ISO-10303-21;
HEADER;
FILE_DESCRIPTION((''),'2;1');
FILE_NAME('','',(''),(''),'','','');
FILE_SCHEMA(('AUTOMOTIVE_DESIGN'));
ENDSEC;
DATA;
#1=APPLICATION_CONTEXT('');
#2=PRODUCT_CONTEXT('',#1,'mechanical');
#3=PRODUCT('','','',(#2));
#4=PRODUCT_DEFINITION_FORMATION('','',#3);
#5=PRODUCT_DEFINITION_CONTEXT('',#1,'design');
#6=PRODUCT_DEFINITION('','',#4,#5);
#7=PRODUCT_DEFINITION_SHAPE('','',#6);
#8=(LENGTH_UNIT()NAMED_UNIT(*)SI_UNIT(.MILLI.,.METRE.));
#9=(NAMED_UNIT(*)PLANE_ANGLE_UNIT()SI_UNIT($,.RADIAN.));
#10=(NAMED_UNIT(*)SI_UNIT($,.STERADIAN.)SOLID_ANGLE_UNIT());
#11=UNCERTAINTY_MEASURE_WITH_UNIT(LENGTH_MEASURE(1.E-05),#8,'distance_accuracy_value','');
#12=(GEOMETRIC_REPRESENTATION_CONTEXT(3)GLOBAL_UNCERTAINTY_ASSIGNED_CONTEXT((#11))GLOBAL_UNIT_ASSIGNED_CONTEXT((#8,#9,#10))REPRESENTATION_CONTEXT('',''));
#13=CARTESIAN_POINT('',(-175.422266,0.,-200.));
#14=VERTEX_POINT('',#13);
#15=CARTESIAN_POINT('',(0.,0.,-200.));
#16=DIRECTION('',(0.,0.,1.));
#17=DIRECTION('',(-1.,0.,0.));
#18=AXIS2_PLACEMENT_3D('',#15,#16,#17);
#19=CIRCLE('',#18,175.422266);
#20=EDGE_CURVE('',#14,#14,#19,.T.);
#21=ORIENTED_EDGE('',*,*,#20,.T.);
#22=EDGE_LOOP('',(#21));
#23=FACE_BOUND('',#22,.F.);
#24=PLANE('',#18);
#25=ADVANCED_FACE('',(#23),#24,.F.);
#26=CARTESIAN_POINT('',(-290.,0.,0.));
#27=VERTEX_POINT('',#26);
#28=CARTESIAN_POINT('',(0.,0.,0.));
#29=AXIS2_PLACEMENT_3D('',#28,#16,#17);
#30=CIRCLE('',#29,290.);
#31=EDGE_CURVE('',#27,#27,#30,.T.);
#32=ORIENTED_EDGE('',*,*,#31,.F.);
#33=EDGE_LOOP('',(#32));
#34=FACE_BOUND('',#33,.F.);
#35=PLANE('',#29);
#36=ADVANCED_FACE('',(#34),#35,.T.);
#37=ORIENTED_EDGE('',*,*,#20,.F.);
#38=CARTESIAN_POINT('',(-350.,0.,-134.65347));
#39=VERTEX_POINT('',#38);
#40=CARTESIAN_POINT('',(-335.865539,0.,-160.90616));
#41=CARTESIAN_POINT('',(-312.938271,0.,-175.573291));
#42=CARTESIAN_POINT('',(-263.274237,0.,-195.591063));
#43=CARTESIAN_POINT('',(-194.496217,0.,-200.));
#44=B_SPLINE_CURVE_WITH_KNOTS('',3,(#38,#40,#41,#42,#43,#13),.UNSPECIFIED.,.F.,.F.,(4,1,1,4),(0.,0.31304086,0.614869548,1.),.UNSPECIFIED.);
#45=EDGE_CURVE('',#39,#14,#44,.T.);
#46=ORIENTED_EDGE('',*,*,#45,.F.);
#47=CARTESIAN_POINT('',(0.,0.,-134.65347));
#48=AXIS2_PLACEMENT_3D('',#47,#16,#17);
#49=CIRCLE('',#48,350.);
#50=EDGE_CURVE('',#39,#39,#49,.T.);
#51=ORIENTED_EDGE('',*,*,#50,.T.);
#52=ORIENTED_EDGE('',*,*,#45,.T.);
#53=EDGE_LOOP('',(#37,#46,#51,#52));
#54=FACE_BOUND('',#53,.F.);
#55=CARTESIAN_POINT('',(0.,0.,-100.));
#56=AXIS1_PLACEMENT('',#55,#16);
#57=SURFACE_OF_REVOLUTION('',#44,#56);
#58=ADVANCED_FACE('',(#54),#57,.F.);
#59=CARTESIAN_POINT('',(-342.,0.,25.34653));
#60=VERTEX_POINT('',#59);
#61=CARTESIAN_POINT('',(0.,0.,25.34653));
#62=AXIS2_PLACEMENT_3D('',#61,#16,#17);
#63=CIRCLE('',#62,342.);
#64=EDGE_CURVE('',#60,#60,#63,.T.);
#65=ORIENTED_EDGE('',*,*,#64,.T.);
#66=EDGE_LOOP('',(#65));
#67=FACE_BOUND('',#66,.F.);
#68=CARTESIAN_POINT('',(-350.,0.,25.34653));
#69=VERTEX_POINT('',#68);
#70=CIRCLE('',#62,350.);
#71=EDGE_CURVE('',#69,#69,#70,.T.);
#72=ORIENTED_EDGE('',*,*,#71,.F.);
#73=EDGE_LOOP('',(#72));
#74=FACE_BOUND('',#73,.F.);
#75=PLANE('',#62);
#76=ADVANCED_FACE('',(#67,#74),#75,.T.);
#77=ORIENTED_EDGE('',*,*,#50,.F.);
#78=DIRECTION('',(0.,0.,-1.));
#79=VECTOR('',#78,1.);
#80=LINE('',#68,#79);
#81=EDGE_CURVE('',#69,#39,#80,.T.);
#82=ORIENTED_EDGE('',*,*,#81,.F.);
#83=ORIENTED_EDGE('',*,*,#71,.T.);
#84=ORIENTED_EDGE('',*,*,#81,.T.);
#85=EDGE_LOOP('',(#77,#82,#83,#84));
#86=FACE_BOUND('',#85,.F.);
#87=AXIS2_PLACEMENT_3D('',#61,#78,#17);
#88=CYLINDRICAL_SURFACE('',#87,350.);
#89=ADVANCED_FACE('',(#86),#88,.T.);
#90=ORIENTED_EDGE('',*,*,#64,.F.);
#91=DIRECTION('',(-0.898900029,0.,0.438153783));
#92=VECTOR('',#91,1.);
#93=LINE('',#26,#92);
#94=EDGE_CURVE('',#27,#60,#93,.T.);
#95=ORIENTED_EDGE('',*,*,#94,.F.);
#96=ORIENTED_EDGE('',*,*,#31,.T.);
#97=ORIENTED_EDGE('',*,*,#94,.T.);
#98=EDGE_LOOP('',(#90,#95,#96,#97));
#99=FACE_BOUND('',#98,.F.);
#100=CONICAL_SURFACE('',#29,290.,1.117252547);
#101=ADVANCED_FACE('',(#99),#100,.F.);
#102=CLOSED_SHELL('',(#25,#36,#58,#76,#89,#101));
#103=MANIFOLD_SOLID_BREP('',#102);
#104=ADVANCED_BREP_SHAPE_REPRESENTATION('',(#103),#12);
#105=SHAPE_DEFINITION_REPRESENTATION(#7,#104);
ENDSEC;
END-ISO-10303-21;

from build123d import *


with BuildPart() as f1:
    # F0 (on Front) → F1 (revolve)
    with BuildSketch(Plane.XZ):
        with BuildLine():
            Line((0, -200), (0, 0))
            Line((0, 0), (-290, 0))
            Line((-290, 0), (-342, 25.3465301704))
            Line((-342, 25.3465301704), (-350, 25.3465301704))
            Line((-350, 25.3465301704), (-350, -134.6534698296))
            add(Edge.make_bspline(
                [(-350, -134.6534698296), (-335.8655394779, -160.9061600106), (-312.9382705756, -175.5732905576), (-263.2742372213, -195.5910633241), (-194.4962173717, -200), (-175.4222661257, -200)],
                knots=[0, 0, 0, 0, 0.3130408604, 0.6148695485, 1, 1, 1, 1], degree=3))
            Line((-175.4222661257, -200), (0, -200))
        make_face()
    revolve(axis=Axis((0, 0, -100), (0, 0, 1)))


solid = f1.part
